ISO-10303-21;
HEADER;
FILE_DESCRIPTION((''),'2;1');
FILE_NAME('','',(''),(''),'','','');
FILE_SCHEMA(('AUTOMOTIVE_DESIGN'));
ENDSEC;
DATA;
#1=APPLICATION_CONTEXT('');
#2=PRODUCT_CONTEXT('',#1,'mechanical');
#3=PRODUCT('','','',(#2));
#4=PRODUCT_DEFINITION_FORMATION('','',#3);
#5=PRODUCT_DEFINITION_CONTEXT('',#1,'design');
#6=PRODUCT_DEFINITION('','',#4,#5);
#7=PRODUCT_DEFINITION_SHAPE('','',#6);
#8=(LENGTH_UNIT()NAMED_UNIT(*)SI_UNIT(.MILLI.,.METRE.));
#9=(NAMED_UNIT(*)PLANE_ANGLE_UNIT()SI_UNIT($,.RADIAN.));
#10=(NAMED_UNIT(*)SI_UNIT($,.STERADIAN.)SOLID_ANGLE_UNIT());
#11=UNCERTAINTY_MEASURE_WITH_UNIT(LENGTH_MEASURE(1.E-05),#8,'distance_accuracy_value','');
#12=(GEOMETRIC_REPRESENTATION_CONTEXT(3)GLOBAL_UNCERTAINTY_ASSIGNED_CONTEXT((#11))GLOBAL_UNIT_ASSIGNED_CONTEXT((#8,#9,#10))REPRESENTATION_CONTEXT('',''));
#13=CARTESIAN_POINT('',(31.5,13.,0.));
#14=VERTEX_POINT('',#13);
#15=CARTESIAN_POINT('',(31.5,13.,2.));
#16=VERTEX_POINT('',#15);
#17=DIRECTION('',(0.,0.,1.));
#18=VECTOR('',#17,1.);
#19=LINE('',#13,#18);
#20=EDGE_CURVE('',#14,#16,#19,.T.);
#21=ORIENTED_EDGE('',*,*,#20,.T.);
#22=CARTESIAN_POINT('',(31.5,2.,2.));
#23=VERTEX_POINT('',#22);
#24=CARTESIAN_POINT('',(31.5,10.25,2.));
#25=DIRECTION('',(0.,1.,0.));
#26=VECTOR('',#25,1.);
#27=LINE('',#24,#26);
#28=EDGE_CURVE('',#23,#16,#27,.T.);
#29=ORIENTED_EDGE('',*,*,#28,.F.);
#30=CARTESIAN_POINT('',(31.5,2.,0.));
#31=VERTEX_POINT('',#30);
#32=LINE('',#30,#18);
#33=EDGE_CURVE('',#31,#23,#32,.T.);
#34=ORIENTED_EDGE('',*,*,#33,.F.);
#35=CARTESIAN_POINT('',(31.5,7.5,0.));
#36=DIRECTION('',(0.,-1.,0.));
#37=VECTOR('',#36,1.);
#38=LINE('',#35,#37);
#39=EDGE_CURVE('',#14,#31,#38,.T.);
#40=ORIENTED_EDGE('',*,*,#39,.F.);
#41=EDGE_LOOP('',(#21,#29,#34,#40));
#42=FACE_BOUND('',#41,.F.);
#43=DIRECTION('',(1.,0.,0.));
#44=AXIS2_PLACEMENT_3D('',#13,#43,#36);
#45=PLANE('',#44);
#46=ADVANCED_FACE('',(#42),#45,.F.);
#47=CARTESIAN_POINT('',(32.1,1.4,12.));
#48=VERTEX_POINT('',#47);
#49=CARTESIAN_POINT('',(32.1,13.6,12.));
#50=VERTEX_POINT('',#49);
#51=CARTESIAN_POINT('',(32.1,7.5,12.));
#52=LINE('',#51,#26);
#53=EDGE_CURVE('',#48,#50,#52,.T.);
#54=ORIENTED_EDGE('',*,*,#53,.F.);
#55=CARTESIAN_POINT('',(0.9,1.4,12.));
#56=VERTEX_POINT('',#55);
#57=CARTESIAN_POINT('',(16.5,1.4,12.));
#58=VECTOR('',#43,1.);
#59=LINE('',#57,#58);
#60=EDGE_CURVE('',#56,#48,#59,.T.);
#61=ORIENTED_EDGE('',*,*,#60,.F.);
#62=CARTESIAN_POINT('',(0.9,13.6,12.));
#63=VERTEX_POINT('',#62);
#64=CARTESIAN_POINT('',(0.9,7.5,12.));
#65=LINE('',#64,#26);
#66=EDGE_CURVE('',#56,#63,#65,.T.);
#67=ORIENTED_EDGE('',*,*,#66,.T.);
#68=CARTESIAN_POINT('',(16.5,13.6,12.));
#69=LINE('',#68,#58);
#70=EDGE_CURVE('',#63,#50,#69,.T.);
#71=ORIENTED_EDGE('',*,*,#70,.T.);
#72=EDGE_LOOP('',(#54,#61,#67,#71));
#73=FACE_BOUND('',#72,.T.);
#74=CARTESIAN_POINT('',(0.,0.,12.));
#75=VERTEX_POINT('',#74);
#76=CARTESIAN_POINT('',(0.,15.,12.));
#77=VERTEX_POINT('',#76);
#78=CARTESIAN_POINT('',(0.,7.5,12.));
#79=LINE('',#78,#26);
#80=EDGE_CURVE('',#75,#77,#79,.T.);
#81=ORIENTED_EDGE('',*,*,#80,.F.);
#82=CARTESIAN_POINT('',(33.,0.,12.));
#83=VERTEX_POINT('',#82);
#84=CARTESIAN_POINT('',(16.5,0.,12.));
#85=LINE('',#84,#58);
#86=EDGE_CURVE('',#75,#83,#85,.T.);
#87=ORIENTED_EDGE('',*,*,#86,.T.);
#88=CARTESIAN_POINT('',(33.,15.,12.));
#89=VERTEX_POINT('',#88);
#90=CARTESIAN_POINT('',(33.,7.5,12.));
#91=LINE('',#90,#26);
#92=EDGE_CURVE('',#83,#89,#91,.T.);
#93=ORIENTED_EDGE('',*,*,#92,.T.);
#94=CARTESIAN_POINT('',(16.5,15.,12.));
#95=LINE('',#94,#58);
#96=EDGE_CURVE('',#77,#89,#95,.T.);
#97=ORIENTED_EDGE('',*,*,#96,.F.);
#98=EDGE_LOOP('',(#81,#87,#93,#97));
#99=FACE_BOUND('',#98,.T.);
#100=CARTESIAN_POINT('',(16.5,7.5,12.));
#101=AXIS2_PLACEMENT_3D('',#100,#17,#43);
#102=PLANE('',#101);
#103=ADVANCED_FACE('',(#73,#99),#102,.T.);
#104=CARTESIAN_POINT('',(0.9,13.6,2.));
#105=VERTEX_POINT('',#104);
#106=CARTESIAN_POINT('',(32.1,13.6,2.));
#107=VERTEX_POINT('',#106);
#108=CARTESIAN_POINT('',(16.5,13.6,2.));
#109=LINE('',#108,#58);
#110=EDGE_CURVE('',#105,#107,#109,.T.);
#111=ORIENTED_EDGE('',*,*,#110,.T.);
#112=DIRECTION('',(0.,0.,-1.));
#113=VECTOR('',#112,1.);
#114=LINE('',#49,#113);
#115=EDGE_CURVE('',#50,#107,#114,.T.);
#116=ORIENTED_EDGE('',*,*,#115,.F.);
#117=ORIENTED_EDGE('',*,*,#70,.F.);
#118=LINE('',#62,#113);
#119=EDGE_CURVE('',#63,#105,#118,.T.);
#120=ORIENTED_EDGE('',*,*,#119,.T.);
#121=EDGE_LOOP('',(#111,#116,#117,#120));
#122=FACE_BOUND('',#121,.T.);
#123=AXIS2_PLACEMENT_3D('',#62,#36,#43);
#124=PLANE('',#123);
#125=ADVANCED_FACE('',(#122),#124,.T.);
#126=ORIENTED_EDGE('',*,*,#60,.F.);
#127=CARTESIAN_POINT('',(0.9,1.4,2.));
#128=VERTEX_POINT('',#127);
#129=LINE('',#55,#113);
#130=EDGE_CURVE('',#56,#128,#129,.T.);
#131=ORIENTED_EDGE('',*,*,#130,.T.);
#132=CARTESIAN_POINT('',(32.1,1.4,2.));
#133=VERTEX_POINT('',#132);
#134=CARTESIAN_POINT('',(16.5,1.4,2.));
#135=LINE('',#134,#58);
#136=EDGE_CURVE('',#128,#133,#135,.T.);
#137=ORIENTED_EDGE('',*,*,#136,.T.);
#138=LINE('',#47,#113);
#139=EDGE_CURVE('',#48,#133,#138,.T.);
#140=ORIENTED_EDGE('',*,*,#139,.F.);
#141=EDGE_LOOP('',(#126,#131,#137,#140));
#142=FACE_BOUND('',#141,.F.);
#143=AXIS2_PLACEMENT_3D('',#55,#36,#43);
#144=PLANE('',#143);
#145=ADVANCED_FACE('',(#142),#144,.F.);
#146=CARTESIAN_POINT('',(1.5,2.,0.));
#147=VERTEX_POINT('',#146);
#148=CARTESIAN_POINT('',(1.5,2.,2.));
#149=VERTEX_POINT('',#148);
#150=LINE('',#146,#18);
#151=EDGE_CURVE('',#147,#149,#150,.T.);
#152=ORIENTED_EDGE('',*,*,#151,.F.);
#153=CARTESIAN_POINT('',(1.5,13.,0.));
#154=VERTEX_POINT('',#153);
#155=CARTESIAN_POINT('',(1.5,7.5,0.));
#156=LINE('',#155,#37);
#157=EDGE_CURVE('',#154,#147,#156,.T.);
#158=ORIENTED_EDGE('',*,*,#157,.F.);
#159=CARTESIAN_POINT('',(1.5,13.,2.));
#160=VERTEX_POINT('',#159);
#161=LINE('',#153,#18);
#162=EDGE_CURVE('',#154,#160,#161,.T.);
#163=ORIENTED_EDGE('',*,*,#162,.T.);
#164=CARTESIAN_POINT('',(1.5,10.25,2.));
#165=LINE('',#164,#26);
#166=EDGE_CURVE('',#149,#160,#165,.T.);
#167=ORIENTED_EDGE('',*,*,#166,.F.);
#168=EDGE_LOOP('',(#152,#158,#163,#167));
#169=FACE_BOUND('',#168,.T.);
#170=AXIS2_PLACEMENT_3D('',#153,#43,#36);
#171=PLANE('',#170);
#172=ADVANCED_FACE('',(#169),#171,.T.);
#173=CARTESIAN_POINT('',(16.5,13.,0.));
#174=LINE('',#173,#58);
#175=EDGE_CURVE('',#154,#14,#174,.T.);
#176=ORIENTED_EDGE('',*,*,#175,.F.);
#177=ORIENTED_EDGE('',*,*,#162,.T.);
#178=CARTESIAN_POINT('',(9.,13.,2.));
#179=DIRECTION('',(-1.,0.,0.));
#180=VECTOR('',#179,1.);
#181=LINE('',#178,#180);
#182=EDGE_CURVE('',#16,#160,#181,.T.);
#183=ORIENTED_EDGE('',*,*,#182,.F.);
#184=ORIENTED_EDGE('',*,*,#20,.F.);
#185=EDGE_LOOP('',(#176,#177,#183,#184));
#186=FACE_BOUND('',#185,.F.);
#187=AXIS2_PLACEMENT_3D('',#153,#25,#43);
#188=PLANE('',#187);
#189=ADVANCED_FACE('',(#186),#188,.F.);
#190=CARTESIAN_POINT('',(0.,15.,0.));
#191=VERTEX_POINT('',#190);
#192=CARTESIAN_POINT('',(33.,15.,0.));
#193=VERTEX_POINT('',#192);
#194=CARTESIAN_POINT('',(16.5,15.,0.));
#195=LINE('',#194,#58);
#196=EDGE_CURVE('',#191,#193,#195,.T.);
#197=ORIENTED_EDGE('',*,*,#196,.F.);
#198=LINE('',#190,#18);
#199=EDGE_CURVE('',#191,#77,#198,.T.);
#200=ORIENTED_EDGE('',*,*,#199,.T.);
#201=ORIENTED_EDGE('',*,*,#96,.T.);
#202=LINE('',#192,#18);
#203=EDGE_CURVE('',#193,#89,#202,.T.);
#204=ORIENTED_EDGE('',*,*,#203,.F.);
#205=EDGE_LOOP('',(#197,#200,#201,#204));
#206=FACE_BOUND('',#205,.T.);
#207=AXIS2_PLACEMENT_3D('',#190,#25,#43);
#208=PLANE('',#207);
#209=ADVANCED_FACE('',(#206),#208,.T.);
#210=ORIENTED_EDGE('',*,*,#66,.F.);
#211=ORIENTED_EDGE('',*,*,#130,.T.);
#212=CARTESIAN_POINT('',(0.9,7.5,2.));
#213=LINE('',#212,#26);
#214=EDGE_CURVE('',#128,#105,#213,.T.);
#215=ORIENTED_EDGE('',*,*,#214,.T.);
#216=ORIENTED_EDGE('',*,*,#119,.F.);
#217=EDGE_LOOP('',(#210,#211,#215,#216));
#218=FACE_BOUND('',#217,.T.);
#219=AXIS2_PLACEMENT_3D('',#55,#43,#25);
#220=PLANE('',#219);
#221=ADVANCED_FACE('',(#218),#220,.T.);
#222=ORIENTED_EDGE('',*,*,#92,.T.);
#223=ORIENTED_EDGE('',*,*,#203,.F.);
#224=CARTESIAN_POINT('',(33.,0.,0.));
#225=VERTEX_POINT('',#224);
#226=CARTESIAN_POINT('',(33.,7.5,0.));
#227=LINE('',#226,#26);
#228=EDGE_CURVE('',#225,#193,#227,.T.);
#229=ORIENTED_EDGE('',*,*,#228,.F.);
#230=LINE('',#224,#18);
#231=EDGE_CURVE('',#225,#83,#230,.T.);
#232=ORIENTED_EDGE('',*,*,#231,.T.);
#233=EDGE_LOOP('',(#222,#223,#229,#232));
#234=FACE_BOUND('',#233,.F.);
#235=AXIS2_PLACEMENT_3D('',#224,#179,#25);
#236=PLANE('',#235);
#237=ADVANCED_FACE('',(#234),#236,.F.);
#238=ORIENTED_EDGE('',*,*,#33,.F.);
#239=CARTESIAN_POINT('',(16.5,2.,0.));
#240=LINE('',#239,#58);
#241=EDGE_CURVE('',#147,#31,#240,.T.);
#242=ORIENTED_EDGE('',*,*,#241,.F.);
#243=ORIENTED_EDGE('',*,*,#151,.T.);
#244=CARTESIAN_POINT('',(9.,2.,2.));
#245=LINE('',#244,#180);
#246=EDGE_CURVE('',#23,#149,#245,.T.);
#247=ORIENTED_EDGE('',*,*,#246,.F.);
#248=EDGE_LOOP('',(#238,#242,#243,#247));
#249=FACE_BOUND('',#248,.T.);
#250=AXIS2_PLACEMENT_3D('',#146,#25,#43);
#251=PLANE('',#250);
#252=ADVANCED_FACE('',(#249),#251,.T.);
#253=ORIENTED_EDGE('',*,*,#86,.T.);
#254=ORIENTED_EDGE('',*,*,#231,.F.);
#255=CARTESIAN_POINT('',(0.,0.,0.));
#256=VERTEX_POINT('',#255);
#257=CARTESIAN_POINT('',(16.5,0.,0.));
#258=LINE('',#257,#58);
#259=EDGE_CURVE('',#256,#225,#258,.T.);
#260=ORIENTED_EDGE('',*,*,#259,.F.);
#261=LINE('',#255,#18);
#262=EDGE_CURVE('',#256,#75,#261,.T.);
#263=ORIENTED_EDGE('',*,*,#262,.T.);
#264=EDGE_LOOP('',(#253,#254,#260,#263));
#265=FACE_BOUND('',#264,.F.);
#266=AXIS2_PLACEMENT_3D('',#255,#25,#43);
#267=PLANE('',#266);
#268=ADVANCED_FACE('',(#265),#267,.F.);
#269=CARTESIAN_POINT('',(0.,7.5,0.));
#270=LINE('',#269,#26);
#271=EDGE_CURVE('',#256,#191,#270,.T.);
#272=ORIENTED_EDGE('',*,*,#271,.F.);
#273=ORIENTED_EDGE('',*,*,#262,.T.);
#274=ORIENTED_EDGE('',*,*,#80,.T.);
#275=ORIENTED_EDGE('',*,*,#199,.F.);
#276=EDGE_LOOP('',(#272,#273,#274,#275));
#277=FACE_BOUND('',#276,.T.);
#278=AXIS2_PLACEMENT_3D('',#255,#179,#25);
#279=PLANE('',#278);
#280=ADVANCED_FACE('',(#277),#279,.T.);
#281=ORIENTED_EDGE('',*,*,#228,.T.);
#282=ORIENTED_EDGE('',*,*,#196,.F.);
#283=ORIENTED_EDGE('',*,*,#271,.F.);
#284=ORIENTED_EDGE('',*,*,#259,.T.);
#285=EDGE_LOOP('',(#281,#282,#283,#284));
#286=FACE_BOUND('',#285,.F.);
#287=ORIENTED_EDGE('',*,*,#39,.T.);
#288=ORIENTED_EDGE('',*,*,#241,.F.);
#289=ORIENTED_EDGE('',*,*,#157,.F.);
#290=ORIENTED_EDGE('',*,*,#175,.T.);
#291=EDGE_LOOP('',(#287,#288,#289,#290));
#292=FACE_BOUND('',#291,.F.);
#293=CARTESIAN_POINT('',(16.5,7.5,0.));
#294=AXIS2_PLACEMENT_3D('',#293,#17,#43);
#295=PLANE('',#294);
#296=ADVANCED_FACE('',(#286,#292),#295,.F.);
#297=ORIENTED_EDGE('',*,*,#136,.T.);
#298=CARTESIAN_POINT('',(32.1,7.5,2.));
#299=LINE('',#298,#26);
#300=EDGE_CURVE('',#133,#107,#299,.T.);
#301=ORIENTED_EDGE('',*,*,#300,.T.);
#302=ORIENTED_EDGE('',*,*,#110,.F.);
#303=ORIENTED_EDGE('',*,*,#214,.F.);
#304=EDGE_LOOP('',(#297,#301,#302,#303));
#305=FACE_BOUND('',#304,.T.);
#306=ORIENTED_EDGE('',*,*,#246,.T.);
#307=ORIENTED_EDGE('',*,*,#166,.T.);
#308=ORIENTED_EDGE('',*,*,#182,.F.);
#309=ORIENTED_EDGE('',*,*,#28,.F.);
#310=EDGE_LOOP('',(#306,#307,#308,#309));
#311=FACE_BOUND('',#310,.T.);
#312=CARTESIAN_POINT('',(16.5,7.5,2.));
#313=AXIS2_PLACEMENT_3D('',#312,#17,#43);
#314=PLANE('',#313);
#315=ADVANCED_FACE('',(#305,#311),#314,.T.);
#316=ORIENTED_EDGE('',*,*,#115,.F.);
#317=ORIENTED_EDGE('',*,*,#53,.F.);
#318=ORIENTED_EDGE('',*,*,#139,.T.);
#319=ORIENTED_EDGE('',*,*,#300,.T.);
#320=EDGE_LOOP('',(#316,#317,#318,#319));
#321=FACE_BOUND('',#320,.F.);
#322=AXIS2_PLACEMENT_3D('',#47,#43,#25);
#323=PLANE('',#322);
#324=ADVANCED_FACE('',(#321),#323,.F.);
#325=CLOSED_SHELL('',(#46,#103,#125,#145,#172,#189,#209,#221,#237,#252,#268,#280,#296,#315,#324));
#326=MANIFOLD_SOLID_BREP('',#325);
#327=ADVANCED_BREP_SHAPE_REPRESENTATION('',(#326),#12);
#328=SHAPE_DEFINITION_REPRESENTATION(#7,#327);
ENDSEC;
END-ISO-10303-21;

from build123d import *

# Parameters (mm, degrees)
F0_W     = 33
F0_H     = 15
F1_DEPTH = 12
F2_W     = 31.2
F2_H     = 12.2
F3_DEPTH = 10
F4_W     = 30
F4_H     = 11
F5_DEPTH = 12.001


with BuildPart() as f1:
    # F0 (on Top) → F1 (new body)
    with BuildSketch(Plane.XY):
        with Locations((16.5, 7.5)):
            Rectangle(F0_W, F0_H)
    extrude(amount=F1_DEPTH)

    # F2 (on face) → F3 (cut)
    with BuildSketch(Plane.XY.offset(12)):
        with Locations((16.5, 7.5)):
            Rectangle(F2_W, F2_H)
    extrude(amount=-F3_DEPTH, mode=Mode.SUBTRACT)

    # F4 (on face) → F5 (cut, through all)
    with BuildSketch(Plane(origin=(0, 0, 0), x_dir=(1, 0, 0), z_dir=(0, 0, -1))):
        with Locations((16.5, -7.5)):
            Rectangle(F4_W, F4_H)
    extrude(amount=-F5_DEPTH, mode=Mode.SUBTRACT)


solid = f1.part
